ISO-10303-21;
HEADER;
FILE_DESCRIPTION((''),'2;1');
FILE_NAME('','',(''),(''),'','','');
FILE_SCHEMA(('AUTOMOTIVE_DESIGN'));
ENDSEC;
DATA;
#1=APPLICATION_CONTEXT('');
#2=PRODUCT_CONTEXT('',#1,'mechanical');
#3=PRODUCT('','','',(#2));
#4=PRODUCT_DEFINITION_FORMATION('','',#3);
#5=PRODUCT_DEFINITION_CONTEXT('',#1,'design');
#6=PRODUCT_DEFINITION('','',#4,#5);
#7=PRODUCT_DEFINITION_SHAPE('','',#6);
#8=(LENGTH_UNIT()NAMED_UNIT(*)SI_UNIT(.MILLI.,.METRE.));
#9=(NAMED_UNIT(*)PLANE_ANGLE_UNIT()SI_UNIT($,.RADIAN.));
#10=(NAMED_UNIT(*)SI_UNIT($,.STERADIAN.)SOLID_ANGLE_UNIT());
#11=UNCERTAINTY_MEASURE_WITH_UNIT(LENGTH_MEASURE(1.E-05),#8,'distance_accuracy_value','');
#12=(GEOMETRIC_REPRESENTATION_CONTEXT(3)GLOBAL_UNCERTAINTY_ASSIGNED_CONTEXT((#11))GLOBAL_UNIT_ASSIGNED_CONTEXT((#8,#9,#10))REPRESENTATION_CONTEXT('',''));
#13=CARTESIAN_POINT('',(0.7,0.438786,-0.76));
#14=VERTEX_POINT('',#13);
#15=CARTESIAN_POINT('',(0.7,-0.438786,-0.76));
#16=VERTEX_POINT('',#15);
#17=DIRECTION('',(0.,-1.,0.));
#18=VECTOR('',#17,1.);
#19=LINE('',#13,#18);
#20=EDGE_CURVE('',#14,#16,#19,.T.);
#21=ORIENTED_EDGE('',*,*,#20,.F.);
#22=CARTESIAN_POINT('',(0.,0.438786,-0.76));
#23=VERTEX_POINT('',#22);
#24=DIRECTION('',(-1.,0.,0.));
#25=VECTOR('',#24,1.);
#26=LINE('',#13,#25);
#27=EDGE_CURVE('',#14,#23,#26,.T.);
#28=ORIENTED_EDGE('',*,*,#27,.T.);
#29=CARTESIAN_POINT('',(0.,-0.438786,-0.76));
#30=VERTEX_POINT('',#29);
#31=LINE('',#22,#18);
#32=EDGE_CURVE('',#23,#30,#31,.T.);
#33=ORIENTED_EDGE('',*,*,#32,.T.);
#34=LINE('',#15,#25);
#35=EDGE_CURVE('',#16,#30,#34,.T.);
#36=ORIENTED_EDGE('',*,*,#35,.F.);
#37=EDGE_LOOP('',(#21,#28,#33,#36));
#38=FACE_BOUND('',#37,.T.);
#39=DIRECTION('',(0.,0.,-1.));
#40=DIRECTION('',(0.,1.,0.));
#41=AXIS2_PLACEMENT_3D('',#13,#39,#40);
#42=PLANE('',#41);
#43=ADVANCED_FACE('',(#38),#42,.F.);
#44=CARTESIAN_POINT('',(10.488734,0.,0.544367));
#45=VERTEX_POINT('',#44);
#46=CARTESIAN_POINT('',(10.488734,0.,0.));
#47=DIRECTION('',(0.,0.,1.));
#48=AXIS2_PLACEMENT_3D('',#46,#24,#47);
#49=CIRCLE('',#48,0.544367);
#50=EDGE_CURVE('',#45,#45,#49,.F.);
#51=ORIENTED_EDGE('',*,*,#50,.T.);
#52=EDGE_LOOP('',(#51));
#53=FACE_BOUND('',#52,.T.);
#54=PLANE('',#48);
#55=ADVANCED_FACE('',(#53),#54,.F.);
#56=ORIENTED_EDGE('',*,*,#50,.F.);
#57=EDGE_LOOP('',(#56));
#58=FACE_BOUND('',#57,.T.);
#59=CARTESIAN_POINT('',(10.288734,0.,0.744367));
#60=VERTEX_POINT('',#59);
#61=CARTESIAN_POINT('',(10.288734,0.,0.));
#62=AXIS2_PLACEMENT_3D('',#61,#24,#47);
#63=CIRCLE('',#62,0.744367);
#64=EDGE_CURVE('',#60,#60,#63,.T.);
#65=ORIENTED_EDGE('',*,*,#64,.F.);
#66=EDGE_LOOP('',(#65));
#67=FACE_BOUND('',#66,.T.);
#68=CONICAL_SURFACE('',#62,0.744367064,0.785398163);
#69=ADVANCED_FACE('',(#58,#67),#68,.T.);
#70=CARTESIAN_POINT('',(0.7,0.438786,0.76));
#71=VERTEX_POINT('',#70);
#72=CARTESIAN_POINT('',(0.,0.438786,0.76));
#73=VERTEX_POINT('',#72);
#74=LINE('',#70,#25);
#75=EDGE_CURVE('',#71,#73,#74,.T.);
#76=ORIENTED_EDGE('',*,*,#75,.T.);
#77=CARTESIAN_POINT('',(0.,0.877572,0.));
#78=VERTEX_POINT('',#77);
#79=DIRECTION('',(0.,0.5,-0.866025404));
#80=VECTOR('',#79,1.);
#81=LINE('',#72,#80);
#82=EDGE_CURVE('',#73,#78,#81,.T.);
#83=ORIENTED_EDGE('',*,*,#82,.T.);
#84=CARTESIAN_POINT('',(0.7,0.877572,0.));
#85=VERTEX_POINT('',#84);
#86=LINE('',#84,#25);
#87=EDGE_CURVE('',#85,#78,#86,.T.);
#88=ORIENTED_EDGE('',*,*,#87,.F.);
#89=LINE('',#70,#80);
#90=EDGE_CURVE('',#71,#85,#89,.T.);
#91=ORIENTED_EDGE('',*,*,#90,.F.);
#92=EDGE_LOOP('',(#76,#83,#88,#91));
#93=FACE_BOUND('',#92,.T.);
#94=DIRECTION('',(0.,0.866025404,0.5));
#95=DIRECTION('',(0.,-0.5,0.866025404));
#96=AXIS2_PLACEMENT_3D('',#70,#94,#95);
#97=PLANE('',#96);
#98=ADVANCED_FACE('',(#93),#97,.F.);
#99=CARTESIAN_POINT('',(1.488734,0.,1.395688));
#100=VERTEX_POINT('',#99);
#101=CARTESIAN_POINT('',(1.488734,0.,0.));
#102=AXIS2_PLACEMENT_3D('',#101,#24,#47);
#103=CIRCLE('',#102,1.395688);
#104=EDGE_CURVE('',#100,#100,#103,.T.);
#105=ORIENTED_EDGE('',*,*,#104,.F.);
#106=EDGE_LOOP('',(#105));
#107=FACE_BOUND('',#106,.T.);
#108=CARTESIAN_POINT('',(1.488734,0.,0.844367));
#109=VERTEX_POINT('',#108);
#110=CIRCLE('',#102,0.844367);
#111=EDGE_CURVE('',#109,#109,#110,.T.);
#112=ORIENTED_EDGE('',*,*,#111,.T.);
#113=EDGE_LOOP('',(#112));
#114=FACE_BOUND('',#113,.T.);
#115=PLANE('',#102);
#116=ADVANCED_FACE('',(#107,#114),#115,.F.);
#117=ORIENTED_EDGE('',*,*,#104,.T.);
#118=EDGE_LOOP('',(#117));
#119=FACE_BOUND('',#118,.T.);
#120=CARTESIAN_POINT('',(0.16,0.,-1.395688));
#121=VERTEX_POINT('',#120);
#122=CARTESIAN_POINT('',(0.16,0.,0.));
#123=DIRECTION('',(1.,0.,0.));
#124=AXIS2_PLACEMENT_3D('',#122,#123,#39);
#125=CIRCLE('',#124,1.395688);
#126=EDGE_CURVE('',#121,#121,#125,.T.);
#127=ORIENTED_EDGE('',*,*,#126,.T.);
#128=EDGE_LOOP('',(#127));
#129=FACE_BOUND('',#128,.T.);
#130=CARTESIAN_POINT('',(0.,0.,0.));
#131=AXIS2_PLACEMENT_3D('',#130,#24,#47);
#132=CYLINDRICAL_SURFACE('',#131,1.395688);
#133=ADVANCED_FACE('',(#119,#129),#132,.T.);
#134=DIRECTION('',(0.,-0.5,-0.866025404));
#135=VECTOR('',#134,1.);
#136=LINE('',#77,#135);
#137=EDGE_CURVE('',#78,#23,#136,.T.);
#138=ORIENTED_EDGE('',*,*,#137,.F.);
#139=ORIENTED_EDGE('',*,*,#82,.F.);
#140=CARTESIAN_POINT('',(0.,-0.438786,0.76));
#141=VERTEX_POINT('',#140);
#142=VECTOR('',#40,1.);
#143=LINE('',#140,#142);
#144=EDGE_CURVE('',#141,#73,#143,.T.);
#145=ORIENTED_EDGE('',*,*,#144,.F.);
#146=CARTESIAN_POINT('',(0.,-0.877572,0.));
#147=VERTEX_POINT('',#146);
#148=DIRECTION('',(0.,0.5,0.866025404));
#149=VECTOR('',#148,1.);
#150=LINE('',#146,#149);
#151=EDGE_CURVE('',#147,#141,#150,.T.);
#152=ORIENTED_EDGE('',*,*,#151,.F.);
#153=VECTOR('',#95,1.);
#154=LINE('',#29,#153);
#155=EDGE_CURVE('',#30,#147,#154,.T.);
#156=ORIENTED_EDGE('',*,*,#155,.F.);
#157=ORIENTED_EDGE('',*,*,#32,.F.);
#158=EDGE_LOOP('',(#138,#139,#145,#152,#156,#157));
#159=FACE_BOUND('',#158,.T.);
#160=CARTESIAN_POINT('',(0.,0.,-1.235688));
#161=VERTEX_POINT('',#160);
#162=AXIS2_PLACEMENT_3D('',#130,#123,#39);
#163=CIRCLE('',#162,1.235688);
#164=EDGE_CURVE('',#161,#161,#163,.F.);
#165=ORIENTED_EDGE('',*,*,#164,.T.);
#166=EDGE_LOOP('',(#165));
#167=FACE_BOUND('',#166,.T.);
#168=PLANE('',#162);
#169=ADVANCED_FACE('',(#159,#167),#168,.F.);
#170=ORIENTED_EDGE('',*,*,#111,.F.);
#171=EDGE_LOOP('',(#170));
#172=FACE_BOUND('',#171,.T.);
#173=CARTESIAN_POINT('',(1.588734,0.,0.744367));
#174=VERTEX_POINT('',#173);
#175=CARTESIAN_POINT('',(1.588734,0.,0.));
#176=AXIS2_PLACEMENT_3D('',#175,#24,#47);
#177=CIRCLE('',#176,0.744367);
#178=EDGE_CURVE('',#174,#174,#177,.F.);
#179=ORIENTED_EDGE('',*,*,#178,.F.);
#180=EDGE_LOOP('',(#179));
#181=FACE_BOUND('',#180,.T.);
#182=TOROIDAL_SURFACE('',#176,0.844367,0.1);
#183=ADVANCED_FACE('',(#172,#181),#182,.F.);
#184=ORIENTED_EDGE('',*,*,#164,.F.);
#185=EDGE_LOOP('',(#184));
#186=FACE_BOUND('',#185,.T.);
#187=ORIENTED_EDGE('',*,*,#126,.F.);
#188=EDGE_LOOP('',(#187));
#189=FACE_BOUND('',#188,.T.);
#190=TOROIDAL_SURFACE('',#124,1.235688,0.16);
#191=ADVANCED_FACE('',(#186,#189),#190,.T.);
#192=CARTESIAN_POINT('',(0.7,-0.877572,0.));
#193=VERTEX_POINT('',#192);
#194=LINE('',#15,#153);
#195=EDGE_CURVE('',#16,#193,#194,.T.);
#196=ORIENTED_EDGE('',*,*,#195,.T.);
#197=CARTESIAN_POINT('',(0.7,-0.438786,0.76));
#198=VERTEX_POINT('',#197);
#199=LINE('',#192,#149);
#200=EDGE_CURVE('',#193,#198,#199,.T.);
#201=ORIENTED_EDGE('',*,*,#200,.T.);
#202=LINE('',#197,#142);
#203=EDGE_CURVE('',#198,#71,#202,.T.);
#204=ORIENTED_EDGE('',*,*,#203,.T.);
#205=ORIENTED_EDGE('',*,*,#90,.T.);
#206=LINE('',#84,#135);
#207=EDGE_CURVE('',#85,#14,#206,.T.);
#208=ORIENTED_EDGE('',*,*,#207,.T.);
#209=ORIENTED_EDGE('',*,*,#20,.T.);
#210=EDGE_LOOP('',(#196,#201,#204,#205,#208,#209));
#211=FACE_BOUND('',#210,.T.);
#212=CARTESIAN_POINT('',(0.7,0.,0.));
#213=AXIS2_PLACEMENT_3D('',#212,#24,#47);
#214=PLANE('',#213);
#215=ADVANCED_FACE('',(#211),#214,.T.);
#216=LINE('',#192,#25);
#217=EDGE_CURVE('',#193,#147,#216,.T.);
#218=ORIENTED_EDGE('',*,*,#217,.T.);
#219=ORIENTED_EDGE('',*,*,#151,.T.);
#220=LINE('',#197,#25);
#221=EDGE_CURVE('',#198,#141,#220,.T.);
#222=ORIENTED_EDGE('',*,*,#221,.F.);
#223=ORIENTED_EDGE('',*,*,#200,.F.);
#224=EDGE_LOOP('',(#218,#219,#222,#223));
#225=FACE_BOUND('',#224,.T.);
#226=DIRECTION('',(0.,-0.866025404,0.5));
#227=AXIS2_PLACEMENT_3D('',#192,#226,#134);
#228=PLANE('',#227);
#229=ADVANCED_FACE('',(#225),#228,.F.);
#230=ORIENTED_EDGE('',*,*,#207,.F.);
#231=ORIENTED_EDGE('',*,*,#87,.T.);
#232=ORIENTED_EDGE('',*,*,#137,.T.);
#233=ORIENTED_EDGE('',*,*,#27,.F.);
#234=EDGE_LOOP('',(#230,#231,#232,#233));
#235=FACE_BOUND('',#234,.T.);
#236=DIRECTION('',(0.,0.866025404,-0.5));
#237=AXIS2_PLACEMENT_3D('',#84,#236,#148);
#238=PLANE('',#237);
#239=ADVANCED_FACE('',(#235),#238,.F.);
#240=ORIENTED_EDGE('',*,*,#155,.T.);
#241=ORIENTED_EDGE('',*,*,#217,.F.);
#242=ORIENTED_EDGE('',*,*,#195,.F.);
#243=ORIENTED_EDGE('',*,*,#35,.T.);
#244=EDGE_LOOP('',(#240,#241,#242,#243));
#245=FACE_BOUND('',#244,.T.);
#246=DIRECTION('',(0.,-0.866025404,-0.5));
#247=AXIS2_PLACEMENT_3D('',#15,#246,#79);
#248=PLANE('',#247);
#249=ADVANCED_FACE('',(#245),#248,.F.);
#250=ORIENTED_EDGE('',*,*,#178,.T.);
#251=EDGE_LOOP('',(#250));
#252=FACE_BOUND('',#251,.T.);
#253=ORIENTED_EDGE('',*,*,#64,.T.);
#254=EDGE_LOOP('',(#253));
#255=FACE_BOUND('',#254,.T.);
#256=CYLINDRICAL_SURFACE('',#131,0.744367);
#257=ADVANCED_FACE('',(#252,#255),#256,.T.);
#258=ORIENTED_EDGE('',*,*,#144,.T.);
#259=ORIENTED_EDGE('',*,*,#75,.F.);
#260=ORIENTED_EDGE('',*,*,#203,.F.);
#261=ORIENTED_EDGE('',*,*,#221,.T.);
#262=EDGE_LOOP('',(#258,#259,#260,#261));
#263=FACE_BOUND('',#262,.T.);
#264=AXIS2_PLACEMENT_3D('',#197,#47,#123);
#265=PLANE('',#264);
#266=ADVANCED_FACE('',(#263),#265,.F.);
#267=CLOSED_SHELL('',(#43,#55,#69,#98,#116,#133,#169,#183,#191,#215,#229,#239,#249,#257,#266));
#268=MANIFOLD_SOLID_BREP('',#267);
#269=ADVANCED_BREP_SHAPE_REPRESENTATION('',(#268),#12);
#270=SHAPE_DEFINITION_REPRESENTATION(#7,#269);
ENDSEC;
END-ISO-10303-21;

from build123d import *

# Parameters (mm, degrees)
FILLET1_R      = 0.1
FILLET2_R      = 0.16
CHAMFER1_SIZE  = 0.2
EXTRUDE1_DEPTH = 0.7


with BuildPart() as part:
    # Sketch1 → Revolve1 (revolve)
    with BuildSketch(Plane.XY, mode=Mode.PRIVATE) as revolve1_sk:
        Polygon((0, 1.395688245), (0, 0), (10.488734128, 0), (10.488734128, 0.744367064), (1.488734128, 0.744367064), (1.488734128, 1.395688245), align=None)
    revolve(revolve1_sk.sketch.rotate(Axis((0, 0, 0), (1, 0, 0)), 90), axis=Axis((0, 0, 0), (1, 0, 0)))

    # Fillet1
    fillet1_edges = [part.edges().sort_by_distance(p)[0] for p in [
        (1.488734128, 0, -0.744367064),
    ]]
    fillet(fillet1_edges, radius=FILLET1_R)

    # Fillet2
    fillet2_edges = [part.edges().sort_by_distance(p)[0] for p in [
        (0, 0, -1.395688245),
    ]]
    fillet(fillet2_edges, radius=FILLET2_R)

    # Chamfer1
    chamfer1_edges = [part.edges().sort_by_distance(p)[0] for p in [
        (10.488734128, 0, -0.744367064),
    ]]
    chamfer(chamfer1_edges, length=CHAMFER1_SIZE)

    # Sketch2 → Extrude1 (cut)
    with BuildSketch(Plane.ZY):
        Polygon((0, 0.877572409), (-0.76, 0.438786205), (-0.76, -0.438786205), (0, -0.877572409), (0.76, -0.438786205), (0.76, 0.438786205), align=None)
    extrude(amount=-EXTRUDE1_DEPTH, mode=Mode.SUBTRACT)


solid = part.part
